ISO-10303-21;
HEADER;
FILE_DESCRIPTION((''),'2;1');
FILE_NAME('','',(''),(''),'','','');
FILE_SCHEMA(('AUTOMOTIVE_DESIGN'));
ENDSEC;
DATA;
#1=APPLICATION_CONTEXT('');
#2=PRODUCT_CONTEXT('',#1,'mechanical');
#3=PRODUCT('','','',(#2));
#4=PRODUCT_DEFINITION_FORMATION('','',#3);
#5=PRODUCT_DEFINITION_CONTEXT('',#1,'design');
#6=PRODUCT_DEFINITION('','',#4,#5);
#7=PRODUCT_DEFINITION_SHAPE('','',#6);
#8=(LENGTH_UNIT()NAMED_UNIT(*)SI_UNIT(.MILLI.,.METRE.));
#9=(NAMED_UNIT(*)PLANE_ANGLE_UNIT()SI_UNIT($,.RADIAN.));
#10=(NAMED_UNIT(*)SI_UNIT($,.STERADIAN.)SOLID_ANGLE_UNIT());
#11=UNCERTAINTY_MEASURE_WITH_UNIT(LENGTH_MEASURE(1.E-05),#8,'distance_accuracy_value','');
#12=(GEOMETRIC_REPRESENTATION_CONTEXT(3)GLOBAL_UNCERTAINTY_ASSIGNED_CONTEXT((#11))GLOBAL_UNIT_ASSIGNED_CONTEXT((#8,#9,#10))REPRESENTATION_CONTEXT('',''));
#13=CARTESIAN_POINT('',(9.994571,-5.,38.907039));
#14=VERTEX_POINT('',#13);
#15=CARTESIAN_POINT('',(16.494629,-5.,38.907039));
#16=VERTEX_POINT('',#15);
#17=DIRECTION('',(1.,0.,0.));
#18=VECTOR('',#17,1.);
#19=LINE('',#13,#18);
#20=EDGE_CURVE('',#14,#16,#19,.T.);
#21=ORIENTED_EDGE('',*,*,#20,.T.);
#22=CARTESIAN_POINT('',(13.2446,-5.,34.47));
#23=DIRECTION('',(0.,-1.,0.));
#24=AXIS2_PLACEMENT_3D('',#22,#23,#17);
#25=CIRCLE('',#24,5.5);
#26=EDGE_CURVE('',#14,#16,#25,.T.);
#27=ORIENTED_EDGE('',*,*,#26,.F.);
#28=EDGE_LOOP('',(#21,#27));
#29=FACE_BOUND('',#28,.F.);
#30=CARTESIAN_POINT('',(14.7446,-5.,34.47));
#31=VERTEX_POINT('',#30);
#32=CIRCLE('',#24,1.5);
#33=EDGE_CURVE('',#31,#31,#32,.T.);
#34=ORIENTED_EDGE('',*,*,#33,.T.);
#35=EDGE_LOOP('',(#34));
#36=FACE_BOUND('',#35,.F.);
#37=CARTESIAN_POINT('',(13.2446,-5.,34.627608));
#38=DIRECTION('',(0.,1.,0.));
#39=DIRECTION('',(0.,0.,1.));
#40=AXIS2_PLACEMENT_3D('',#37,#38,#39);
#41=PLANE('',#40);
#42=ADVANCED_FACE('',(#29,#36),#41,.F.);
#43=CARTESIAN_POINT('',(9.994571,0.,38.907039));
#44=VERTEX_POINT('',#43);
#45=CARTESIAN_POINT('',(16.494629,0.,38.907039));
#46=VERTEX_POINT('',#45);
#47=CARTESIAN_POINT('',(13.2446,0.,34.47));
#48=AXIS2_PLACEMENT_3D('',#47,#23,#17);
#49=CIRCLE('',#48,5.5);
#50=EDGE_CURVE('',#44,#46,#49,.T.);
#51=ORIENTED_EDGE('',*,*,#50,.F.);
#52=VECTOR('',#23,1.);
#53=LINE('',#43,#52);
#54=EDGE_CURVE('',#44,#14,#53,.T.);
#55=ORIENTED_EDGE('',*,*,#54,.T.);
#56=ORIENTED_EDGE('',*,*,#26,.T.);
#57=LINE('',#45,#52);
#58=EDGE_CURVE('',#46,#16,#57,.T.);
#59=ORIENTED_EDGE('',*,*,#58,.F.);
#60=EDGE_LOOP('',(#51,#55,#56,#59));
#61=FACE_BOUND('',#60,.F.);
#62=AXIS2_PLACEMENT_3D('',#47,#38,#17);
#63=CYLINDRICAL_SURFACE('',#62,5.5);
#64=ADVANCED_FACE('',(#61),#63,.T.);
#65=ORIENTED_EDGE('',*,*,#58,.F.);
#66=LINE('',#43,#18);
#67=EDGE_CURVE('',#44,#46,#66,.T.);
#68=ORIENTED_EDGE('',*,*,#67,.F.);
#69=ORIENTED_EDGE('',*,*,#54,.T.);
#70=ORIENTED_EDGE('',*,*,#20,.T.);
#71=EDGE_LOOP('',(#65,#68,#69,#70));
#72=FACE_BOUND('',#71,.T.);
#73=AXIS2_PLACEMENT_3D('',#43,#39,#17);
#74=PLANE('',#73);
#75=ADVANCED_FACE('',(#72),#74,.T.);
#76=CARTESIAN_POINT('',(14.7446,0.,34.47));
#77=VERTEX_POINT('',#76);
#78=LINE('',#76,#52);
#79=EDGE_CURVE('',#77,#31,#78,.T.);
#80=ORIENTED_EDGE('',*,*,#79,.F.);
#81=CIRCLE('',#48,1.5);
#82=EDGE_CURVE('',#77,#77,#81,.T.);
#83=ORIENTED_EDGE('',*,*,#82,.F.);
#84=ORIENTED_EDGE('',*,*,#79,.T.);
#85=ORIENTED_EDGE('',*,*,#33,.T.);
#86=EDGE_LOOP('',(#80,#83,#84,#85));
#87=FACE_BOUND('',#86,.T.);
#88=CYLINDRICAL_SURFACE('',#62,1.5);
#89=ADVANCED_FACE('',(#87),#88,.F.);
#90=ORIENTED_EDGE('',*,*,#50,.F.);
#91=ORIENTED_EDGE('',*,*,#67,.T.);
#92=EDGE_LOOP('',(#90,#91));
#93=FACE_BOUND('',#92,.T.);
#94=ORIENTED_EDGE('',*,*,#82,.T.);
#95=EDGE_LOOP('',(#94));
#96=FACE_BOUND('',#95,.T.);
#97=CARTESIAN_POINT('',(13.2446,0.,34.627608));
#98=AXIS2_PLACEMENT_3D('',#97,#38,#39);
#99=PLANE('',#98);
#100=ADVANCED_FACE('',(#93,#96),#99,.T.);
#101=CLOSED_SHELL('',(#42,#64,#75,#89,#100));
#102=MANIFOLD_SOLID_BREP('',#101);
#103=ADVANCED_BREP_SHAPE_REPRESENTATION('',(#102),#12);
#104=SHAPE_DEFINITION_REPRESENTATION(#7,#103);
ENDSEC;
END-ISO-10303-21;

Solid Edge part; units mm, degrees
sketch "Sketch1" plane through (0, 0, 0) normal (0, -1, 0) x (1, 0, 0)
  circle A0 centre (13.2446, 34.47) radius 1.5
  line L0 (9.9946, 38.907) -> (16.4946, 38.907)
  arc A1 (9.9946, 38.907) -> (16.4946, 38.907) centre (13.2446, 34.47) ccw
extrude "Protrusion1" add sketch "Sketch1" along normal blind 5
